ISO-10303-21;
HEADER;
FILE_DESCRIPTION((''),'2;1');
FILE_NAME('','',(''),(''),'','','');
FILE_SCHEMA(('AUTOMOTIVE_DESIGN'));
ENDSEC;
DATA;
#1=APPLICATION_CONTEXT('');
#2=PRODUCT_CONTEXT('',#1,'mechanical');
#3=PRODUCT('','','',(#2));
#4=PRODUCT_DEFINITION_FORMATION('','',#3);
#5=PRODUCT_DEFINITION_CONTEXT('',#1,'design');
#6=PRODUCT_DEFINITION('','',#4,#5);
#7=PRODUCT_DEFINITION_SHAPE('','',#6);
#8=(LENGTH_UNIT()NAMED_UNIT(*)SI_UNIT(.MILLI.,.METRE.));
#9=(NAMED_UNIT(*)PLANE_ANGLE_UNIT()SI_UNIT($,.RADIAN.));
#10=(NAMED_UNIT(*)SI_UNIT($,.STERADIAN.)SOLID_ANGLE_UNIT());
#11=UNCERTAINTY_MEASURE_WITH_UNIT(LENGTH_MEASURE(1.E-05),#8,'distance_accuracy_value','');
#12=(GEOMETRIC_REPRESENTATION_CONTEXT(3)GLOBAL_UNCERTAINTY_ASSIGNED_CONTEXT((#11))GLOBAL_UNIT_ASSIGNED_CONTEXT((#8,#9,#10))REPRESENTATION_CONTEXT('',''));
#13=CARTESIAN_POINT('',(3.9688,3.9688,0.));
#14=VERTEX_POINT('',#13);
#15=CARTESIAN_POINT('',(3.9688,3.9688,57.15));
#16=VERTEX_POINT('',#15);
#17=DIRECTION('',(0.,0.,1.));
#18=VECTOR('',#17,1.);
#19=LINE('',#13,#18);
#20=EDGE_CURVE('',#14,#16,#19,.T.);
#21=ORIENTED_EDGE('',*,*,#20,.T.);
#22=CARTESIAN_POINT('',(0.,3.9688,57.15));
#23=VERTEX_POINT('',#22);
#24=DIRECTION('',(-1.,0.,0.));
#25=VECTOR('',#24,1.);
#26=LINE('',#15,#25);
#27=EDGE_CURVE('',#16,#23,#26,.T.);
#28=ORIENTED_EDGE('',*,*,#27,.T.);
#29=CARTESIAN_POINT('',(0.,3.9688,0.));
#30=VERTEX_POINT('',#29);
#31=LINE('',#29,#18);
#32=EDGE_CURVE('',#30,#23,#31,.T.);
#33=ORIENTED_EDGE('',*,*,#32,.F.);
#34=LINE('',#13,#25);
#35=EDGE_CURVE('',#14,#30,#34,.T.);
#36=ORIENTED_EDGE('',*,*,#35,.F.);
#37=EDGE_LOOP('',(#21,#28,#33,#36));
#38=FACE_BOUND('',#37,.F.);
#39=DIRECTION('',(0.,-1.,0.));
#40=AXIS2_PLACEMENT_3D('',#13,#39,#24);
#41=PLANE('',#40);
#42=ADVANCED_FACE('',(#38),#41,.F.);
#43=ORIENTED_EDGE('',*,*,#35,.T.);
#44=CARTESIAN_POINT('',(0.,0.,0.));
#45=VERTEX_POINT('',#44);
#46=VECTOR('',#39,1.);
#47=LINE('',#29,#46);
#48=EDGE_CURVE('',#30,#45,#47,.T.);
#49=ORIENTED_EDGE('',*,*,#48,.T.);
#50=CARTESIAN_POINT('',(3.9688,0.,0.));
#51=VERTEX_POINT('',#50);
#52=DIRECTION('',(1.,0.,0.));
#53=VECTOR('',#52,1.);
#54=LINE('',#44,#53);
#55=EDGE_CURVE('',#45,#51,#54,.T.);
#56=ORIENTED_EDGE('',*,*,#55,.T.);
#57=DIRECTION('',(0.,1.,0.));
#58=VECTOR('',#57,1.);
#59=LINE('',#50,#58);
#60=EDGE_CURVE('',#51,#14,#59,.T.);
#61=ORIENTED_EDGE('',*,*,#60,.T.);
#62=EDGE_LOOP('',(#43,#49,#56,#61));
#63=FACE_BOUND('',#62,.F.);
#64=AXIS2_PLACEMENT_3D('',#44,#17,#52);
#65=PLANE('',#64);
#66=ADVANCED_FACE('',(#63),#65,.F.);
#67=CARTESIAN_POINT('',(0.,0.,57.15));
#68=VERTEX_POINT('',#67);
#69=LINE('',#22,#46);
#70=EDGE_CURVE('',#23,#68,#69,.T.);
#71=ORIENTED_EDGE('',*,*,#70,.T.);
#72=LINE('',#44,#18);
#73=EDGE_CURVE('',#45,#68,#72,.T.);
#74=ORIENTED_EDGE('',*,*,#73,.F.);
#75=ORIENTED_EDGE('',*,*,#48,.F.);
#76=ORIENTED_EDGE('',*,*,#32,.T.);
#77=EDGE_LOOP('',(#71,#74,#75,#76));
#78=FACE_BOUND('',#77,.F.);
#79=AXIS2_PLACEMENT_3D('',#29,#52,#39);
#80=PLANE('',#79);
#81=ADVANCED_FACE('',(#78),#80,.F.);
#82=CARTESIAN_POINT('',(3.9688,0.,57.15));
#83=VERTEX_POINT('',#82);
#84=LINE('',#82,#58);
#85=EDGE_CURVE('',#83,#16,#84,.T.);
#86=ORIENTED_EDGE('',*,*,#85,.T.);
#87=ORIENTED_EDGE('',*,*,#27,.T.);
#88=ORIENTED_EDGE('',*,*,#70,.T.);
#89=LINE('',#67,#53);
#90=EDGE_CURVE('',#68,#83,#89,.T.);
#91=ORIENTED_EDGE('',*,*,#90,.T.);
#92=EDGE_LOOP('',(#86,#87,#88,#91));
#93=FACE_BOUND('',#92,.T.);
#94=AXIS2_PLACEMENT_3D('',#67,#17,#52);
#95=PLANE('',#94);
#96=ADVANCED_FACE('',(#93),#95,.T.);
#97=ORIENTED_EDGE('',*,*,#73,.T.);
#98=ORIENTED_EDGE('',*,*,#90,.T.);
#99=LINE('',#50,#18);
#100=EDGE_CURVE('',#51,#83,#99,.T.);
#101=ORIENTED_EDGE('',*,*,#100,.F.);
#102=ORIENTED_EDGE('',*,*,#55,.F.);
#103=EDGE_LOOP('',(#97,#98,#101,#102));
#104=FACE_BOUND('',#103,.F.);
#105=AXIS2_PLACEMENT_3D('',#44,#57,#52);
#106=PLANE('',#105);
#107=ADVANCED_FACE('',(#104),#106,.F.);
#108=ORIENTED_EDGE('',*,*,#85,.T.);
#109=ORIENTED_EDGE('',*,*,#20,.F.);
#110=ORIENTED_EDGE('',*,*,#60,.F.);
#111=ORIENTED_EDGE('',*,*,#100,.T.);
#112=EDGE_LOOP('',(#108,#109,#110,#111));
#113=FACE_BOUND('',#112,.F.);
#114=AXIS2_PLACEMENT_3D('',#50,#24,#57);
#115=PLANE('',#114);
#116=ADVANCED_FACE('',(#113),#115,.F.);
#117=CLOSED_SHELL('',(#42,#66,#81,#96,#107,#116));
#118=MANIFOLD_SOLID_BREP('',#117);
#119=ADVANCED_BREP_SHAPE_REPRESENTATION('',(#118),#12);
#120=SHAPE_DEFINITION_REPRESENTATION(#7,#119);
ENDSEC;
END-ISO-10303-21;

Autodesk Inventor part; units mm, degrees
ref_plane "YZ Plane" through (0, 0, 0) normal (1, 0, 0) x (0, 1, 0)
ref_plane "XZ Plane" through (0, 0, 0) normal (0, 1, 0) x (-1, 0, 0)
ref_plane "XY Plane" through (0, 0, 0) normal (0, 0, 1) x (1, 0, 0)
sketch "Sketch1" plane through (0, 0, 0) normal (0, 0, 1) x (1, 0, 0)
  line L0 (0, 0) -> (3.9688, 0)
  line L1 (3.9688, 0) -> (3.9688, 3.9688)
  line L2 (3.9688, 3.9688) -> (0, 3.9688)
  line L3 (0, 3.9688) -> (0, 0)
  dimension "d0" = 3.9688
  dimension "d1" = 3.9688
extrude "Extrusion1" add sketch "Sketch1" along normal blind 57.15
properties part number "square shaft"
